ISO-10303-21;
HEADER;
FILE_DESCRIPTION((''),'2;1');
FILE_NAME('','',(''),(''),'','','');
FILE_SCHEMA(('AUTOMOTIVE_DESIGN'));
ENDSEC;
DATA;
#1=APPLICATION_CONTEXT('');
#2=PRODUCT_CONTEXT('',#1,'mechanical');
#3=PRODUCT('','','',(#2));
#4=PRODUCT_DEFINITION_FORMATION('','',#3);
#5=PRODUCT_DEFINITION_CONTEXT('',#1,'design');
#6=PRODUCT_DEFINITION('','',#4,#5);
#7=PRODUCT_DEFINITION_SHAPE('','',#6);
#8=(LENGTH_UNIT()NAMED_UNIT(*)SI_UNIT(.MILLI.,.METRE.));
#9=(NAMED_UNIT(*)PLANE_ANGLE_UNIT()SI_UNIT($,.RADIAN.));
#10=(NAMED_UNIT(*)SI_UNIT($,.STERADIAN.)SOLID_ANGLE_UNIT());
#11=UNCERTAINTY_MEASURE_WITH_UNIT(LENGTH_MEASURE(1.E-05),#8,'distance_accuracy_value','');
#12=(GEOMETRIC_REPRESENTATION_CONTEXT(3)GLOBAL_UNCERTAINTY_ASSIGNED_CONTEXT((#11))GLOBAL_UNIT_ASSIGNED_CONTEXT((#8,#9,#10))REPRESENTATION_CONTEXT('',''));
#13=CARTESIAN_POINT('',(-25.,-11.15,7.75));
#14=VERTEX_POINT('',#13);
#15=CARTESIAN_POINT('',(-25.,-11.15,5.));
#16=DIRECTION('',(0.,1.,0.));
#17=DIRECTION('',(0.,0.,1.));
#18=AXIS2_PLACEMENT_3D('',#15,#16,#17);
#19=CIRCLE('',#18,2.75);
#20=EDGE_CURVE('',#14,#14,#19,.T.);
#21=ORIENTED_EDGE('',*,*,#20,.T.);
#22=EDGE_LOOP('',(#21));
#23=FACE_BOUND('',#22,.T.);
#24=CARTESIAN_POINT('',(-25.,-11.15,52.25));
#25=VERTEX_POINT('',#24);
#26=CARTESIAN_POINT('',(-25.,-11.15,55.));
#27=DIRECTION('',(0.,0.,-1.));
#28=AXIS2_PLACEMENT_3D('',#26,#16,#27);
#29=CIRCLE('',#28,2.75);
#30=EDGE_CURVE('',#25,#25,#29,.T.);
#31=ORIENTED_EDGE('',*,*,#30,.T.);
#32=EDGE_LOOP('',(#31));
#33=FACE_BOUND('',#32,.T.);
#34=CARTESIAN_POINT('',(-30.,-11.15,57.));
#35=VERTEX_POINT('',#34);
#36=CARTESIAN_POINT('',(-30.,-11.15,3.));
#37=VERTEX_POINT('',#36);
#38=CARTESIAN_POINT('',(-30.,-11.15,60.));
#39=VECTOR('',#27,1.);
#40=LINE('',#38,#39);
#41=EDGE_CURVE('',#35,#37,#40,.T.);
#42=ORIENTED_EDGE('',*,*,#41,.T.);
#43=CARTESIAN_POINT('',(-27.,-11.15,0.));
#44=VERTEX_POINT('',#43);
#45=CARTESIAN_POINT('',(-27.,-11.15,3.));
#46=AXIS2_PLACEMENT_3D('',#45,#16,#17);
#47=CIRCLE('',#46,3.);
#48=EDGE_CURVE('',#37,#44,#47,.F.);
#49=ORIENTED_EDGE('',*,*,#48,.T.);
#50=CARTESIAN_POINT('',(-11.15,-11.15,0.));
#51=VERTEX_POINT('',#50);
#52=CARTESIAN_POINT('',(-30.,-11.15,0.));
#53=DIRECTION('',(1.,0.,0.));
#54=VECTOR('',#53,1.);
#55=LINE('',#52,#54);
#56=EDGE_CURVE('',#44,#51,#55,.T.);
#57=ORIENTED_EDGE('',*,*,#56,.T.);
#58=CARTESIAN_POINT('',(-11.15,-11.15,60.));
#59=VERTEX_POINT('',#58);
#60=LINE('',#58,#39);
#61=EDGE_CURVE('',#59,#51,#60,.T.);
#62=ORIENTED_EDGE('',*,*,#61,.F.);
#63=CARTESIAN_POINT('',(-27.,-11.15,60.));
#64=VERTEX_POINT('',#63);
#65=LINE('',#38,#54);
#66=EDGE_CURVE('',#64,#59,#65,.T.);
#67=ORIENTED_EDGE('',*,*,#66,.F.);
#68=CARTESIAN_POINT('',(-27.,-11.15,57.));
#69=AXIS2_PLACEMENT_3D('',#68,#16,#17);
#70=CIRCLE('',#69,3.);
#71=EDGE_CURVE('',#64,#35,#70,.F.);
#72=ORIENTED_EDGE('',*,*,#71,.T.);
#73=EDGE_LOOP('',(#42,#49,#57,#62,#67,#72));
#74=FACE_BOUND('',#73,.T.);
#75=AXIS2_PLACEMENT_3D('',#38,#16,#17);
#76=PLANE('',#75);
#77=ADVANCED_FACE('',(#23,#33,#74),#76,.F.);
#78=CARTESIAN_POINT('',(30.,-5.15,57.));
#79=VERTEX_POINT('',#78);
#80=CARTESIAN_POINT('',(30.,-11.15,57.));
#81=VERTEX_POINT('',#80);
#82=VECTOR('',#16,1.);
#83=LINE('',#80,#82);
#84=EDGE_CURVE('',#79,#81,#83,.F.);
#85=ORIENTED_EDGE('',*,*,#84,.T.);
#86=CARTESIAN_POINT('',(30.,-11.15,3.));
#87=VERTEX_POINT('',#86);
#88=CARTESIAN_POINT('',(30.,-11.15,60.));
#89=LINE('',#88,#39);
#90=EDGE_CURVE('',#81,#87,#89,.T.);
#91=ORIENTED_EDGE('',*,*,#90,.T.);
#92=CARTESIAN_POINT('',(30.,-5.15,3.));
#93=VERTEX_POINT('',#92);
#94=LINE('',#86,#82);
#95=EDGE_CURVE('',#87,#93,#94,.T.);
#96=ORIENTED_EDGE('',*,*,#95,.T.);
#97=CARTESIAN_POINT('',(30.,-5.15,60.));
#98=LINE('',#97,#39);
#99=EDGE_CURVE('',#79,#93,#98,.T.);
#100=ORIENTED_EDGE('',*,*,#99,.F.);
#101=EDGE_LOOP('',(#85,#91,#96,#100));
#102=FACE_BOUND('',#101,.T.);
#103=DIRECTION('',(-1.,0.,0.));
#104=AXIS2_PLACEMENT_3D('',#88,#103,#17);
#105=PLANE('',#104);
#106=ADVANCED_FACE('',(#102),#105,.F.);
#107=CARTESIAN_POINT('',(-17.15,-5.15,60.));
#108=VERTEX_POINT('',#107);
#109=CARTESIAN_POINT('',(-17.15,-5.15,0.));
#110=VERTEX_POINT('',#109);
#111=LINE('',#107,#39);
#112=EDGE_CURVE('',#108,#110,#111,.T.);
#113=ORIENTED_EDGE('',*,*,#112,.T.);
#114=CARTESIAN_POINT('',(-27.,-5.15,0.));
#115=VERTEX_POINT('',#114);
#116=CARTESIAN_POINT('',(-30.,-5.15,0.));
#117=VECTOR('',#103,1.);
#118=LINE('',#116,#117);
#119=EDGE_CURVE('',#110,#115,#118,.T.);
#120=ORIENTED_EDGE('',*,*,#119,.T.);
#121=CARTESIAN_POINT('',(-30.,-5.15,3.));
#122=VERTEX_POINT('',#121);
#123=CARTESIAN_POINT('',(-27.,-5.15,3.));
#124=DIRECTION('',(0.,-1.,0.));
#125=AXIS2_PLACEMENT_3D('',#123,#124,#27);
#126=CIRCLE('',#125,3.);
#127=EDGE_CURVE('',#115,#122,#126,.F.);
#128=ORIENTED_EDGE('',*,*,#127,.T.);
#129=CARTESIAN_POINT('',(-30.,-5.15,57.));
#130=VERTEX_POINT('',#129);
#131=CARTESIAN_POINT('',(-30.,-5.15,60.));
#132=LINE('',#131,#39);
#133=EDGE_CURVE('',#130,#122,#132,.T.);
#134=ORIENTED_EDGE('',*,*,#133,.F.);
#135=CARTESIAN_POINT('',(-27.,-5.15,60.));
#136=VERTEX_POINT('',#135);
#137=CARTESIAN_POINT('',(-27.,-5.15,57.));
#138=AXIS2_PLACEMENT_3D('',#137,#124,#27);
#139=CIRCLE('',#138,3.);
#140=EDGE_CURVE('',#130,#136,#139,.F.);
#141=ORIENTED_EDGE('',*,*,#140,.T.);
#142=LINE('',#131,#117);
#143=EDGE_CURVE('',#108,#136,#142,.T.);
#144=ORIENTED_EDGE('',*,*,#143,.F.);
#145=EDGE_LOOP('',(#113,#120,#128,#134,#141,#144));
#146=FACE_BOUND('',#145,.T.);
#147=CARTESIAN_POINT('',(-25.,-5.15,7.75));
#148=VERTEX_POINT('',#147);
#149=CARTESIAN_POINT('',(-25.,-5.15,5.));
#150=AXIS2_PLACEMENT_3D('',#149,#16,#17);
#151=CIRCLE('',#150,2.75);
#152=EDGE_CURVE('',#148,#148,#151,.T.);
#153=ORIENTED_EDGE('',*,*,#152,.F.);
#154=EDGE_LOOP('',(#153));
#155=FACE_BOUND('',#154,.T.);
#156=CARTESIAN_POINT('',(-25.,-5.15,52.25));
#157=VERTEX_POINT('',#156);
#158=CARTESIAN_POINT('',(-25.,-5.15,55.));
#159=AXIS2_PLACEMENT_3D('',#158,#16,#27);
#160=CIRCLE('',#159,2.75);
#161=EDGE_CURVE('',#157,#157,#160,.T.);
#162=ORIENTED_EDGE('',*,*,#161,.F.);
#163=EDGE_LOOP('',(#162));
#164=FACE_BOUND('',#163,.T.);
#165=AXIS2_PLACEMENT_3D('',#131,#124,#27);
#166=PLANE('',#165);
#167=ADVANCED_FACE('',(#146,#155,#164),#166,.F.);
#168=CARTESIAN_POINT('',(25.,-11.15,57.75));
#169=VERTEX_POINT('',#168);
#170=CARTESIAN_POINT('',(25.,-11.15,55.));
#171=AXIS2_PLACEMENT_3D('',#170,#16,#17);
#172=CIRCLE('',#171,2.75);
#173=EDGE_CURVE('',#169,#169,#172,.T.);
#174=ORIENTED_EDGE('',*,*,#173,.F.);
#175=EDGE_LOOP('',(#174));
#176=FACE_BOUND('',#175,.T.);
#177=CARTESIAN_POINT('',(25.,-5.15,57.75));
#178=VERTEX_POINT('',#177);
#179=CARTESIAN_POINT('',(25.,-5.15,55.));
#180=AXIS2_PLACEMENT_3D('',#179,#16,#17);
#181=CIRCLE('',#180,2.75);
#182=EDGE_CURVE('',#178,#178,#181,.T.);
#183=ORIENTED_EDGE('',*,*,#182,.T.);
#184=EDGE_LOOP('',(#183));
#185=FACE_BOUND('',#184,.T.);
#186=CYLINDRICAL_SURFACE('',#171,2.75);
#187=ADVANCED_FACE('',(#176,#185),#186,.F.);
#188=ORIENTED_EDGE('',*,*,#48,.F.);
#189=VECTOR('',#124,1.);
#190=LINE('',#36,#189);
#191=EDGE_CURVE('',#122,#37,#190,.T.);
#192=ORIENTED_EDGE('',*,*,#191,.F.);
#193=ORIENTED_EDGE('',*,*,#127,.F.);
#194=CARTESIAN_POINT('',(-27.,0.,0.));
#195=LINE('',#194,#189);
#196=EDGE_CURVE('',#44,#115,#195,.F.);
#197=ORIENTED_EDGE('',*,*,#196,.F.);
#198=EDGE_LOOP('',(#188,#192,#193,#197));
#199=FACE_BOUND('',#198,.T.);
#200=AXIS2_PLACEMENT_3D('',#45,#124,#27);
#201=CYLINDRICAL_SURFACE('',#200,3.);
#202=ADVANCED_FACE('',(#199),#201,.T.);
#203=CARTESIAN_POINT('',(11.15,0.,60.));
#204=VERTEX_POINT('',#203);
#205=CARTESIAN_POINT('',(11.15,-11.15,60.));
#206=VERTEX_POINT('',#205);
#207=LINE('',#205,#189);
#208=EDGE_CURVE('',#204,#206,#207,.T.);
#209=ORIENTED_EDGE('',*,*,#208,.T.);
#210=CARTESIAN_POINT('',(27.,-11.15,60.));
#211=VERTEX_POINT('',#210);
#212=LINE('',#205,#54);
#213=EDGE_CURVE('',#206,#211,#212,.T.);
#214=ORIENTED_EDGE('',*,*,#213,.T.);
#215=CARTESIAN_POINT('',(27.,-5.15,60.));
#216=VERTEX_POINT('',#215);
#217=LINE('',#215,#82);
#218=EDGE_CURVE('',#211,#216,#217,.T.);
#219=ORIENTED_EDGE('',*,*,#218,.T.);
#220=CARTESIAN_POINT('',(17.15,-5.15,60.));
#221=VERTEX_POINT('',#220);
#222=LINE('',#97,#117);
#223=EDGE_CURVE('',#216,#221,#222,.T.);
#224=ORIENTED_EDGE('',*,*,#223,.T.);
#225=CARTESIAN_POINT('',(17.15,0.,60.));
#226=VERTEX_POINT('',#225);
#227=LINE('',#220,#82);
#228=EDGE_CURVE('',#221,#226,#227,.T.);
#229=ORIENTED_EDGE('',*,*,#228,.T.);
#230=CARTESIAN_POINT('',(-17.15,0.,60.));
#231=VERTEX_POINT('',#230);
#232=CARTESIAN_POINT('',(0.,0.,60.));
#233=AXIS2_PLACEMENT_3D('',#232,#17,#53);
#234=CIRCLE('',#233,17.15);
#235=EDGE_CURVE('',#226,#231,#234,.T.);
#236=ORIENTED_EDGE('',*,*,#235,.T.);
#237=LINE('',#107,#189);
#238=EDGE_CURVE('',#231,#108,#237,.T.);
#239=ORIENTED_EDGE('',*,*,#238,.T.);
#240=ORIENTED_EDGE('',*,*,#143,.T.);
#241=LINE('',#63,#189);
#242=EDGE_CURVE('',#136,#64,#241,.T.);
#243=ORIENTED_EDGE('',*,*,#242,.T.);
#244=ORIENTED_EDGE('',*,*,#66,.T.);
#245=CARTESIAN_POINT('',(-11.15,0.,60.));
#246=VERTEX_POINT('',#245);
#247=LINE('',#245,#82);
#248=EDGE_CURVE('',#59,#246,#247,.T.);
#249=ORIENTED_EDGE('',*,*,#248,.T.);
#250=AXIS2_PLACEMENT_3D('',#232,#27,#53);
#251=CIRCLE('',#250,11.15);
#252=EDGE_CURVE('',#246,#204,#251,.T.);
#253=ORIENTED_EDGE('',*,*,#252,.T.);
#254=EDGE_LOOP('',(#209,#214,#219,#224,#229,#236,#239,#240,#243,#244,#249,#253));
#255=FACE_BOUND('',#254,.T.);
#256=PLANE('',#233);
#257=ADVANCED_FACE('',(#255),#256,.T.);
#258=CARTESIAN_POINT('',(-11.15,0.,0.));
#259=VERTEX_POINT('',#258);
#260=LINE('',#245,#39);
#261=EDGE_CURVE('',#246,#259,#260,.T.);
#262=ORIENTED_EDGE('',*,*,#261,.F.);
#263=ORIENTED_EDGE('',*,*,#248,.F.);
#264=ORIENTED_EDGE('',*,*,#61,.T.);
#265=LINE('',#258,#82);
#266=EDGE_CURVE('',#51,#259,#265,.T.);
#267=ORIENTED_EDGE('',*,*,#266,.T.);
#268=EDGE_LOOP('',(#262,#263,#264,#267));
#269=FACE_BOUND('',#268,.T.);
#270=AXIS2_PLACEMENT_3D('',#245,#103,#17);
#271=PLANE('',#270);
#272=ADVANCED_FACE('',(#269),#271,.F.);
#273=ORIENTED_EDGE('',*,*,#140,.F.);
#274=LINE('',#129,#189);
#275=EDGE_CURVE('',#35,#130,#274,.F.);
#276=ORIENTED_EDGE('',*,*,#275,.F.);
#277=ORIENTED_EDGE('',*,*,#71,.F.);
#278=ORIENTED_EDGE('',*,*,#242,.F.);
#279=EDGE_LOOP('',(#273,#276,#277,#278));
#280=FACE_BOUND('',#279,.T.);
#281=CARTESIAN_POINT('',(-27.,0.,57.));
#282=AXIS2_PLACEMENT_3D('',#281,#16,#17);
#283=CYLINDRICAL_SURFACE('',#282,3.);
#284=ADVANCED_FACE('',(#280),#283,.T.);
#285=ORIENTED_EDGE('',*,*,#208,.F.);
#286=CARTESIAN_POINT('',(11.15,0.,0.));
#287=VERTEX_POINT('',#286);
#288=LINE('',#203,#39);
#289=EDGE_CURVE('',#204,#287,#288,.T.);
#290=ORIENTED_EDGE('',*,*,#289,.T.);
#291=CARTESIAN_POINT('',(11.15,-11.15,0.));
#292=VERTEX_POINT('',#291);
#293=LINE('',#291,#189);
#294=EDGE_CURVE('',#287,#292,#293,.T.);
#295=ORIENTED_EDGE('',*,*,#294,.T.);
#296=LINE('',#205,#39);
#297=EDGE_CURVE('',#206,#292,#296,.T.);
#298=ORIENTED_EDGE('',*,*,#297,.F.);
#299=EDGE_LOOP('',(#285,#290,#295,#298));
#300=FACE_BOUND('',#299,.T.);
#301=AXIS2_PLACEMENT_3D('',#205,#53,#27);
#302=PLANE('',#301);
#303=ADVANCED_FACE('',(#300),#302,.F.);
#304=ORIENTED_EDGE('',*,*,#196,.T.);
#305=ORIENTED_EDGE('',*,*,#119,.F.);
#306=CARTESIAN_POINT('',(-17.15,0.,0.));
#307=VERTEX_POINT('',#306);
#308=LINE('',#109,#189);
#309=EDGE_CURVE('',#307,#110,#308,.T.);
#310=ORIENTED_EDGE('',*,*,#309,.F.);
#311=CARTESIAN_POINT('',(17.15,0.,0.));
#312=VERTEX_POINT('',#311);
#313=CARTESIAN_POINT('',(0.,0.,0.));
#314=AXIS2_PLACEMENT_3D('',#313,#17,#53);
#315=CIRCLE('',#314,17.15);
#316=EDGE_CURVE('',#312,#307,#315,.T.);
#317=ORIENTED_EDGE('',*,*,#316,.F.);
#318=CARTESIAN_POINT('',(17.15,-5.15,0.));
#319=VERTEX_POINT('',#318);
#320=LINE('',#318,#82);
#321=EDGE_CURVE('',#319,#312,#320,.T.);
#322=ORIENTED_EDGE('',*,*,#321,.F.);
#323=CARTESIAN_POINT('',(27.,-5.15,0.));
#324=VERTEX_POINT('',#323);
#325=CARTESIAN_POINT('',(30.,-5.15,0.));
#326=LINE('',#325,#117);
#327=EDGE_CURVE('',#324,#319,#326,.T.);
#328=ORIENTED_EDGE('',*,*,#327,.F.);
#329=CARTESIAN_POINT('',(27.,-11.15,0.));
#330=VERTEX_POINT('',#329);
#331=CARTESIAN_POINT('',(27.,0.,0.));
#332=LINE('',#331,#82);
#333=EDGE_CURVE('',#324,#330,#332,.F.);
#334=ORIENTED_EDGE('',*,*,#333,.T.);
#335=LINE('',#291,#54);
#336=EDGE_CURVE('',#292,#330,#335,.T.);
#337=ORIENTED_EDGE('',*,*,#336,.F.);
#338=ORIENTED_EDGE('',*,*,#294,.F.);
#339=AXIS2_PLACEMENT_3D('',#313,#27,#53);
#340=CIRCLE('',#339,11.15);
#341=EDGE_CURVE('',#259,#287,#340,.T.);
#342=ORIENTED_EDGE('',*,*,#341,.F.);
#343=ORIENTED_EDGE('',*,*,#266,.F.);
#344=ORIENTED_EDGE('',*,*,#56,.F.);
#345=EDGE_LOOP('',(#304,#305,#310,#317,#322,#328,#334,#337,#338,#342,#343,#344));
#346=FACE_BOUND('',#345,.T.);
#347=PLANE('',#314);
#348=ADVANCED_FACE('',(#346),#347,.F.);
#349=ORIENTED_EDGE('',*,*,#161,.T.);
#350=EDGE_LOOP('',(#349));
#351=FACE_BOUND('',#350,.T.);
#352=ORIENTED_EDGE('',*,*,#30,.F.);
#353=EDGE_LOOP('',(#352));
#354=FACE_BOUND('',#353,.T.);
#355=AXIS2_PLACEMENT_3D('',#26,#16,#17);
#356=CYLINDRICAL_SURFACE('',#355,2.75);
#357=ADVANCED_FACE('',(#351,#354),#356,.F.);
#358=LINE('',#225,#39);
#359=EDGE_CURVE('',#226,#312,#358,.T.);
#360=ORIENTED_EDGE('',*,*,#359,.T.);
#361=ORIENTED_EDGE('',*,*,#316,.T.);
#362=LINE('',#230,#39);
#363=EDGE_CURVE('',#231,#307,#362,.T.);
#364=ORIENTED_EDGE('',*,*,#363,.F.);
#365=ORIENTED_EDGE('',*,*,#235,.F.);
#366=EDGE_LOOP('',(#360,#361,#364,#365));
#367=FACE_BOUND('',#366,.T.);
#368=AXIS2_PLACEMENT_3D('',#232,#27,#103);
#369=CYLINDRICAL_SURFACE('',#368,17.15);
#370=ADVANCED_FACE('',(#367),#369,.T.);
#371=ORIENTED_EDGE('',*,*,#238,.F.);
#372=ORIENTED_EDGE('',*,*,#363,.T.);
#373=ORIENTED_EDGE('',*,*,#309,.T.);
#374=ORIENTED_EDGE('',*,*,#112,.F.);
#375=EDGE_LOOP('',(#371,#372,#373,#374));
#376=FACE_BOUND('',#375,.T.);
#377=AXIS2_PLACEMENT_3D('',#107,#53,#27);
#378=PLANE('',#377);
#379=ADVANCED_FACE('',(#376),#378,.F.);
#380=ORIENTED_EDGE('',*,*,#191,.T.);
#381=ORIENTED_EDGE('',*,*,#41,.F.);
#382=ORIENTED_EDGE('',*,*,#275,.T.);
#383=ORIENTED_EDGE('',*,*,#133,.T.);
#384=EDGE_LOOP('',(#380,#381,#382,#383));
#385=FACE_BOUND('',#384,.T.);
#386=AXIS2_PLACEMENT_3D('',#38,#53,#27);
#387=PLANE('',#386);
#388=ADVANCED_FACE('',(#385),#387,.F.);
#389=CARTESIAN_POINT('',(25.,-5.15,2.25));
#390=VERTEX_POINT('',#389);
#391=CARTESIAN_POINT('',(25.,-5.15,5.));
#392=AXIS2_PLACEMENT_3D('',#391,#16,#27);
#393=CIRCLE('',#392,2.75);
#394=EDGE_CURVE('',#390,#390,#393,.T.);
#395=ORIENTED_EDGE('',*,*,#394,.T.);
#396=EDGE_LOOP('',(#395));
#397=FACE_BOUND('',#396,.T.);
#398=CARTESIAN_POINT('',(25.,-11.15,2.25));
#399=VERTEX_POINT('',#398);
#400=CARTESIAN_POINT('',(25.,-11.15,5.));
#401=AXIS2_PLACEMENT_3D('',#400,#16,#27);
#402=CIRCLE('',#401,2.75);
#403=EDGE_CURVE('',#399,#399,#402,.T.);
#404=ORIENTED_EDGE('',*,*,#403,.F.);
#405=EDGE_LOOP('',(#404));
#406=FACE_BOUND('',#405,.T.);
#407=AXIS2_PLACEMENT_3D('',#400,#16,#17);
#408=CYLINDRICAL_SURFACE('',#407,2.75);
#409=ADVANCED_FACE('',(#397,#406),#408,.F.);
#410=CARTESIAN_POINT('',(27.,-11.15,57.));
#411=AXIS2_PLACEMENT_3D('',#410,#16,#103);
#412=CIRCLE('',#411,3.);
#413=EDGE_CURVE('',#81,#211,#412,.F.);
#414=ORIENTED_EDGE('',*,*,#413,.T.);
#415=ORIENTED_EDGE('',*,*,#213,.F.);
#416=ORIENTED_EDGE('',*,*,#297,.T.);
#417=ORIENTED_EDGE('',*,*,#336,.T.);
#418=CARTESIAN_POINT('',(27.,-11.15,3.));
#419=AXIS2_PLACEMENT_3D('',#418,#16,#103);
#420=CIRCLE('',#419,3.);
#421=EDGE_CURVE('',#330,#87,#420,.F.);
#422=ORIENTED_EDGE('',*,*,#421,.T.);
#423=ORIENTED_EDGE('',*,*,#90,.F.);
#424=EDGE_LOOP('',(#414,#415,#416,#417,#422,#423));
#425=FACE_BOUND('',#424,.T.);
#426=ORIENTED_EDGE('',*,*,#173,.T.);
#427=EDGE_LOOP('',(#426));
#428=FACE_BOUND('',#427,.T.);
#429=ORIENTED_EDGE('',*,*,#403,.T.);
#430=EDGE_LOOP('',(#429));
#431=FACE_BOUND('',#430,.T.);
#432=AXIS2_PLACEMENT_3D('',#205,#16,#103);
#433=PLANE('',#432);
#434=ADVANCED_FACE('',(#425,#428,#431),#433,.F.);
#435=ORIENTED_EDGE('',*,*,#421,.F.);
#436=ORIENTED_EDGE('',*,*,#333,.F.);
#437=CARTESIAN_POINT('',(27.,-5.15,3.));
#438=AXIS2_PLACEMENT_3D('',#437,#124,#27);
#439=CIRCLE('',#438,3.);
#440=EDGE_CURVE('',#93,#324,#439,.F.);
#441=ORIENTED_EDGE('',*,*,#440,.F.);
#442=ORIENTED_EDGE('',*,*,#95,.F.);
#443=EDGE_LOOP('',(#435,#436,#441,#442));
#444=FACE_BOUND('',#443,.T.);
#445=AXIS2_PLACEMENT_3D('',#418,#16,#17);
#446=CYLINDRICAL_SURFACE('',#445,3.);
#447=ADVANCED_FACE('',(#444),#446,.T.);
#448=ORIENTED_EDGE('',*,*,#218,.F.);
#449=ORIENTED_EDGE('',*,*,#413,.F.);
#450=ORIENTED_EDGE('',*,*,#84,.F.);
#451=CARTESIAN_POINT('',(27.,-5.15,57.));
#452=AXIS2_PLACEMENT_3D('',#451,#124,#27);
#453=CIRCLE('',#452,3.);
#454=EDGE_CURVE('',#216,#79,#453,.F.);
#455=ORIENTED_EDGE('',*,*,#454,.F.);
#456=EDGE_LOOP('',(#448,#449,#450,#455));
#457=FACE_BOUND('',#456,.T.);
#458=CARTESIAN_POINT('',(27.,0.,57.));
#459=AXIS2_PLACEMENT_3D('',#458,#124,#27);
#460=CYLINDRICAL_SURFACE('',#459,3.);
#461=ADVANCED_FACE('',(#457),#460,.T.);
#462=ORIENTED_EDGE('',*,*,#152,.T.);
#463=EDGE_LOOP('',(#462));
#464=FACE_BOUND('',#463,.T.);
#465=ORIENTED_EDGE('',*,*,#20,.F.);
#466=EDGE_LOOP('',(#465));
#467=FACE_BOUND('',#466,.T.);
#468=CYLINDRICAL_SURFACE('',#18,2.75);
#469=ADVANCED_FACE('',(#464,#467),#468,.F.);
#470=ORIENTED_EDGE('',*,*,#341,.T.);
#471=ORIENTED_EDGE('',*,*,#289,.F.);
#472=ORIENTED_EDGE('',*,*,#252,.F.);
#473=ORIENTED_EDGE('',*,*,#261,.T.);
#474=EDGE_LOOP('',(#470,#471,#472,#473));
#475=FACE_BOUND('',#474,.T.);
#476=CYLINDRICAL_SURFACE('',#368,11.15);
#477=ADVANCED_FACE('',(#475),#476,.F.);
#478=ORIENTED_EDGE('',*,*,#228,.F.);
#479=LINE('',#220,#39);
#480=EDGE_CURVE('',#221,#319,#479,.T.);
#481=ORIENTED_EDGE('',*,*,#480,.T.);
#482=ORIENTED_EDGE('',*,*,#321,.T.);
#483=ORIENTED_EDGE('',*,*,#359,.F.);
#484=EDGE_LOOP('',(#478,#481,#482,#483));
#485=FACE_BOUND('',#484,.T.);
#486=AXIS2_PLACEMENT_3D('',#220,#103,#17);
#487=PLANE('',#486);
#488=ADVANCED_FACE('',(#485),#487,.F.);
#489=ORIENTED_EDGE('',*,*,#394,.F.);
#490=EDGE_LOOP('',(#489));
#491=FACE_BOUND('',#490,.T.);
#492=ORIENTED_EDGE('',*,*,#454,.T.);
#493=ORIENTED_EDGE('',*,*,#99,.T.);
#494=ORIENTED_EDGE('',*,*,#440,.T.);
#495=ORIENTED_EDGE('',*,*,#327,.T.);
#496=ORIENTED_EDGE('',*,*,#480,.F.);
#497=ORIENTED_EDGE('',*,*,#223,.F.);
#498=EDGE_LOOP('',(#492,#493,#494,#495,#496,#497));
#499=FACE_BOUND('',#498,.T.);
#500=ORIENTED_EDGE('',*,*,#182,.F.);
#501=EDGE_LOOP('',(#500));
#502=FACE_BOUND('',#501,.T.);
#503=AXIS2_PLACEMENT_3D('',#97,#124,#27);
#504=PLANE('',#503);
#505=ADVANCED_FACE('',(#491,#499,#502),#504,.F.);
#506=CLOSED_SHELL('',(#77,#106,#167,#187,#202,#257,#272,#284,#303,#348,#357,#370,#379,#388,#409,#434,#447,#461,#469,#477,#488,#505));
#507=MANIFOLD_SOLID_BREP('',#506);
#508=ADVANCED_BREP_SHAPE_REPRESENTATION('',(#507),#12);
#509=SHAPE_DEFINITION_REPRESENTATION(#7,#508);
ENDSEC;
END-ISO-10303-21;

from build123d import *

# Parameters (mm, degrees)
BOSS_EXTRUDE1_DEPTH = 60
SKETCH2_R           = 2.75
CUT_EXTRUDE1_DEPTH  = 6
FILLET1_R           = 3


with BuildPart() as part:
    # Sketch1 → Boss-Extrude1 (new body)
    with BuildSketch(Plane.XY):
        with BuildLine():
            Line((-11.15, 0), (-11.15, -11.15))
            Line((-11.15, -11.15), (-30, -11.15))
            Line((-30, -11.15), (-30, -5.15))
            Line((-30, -5.15), (-17.15, -5.15))
            Line((-17.15, -5.15), (-17.15, 0))
            ThreePointArc((-17.15, 0), (0, 17.15), (17.15, 0))
            Line((17.15, 0), (17.15, -5.15))
            Line((17.15, -5.15), (30, -5.15))
            Line((30, -5.15), (30, -11.15))
            Line((30, -11.15), (11.15, -11.15))
            Line((11.15, -11.15), (11.15, 0))
            ThreePointArc((11.15, 0), (0, 11.15), (-11.15, 0))
        make_face()
    extrude(amount=BOSS_EXTRUDE1_DEPTH)

    # Sketch2 → Cut-Extrude1 (cut)
    with BuildSketch(Plane(origin=(0, -5.15, 0), x_dir=(1, 0, 0), z_dir=(0, 1, 0))):
        with Locations(Location((-25, -5, 0), (0, 0, 270))):
            Circle(SKETCH2_R)
        with Locations(Location((-25, -55, 0), (0, 0, 90))):
            Circle(SKETCH2_R)
        with Locations(Location((25, -55, 0), (0, 0, 270))):
            Circle(SKETCH2_R)
        with Locations(Location((25, -5, 0), (0, 0, 90))):
            Circle(SKETCH2_R)
    extrude(amount=-CUT_EXTRUDE1_DEPTH, mode=Mode.SUBTRACT)

    # Fillet1
    fillet1_edges = [part.edges().sort_by_distance(p)[0] for p in [
        (-30, -8.15, 0),
        (30, -8.15, 0),
        (30, -8.15, 60),
        (-30, -8.15, 60),
    ]]
    fillet(fillet1_edges, radius=FILLET1_R)


solid = part.part
